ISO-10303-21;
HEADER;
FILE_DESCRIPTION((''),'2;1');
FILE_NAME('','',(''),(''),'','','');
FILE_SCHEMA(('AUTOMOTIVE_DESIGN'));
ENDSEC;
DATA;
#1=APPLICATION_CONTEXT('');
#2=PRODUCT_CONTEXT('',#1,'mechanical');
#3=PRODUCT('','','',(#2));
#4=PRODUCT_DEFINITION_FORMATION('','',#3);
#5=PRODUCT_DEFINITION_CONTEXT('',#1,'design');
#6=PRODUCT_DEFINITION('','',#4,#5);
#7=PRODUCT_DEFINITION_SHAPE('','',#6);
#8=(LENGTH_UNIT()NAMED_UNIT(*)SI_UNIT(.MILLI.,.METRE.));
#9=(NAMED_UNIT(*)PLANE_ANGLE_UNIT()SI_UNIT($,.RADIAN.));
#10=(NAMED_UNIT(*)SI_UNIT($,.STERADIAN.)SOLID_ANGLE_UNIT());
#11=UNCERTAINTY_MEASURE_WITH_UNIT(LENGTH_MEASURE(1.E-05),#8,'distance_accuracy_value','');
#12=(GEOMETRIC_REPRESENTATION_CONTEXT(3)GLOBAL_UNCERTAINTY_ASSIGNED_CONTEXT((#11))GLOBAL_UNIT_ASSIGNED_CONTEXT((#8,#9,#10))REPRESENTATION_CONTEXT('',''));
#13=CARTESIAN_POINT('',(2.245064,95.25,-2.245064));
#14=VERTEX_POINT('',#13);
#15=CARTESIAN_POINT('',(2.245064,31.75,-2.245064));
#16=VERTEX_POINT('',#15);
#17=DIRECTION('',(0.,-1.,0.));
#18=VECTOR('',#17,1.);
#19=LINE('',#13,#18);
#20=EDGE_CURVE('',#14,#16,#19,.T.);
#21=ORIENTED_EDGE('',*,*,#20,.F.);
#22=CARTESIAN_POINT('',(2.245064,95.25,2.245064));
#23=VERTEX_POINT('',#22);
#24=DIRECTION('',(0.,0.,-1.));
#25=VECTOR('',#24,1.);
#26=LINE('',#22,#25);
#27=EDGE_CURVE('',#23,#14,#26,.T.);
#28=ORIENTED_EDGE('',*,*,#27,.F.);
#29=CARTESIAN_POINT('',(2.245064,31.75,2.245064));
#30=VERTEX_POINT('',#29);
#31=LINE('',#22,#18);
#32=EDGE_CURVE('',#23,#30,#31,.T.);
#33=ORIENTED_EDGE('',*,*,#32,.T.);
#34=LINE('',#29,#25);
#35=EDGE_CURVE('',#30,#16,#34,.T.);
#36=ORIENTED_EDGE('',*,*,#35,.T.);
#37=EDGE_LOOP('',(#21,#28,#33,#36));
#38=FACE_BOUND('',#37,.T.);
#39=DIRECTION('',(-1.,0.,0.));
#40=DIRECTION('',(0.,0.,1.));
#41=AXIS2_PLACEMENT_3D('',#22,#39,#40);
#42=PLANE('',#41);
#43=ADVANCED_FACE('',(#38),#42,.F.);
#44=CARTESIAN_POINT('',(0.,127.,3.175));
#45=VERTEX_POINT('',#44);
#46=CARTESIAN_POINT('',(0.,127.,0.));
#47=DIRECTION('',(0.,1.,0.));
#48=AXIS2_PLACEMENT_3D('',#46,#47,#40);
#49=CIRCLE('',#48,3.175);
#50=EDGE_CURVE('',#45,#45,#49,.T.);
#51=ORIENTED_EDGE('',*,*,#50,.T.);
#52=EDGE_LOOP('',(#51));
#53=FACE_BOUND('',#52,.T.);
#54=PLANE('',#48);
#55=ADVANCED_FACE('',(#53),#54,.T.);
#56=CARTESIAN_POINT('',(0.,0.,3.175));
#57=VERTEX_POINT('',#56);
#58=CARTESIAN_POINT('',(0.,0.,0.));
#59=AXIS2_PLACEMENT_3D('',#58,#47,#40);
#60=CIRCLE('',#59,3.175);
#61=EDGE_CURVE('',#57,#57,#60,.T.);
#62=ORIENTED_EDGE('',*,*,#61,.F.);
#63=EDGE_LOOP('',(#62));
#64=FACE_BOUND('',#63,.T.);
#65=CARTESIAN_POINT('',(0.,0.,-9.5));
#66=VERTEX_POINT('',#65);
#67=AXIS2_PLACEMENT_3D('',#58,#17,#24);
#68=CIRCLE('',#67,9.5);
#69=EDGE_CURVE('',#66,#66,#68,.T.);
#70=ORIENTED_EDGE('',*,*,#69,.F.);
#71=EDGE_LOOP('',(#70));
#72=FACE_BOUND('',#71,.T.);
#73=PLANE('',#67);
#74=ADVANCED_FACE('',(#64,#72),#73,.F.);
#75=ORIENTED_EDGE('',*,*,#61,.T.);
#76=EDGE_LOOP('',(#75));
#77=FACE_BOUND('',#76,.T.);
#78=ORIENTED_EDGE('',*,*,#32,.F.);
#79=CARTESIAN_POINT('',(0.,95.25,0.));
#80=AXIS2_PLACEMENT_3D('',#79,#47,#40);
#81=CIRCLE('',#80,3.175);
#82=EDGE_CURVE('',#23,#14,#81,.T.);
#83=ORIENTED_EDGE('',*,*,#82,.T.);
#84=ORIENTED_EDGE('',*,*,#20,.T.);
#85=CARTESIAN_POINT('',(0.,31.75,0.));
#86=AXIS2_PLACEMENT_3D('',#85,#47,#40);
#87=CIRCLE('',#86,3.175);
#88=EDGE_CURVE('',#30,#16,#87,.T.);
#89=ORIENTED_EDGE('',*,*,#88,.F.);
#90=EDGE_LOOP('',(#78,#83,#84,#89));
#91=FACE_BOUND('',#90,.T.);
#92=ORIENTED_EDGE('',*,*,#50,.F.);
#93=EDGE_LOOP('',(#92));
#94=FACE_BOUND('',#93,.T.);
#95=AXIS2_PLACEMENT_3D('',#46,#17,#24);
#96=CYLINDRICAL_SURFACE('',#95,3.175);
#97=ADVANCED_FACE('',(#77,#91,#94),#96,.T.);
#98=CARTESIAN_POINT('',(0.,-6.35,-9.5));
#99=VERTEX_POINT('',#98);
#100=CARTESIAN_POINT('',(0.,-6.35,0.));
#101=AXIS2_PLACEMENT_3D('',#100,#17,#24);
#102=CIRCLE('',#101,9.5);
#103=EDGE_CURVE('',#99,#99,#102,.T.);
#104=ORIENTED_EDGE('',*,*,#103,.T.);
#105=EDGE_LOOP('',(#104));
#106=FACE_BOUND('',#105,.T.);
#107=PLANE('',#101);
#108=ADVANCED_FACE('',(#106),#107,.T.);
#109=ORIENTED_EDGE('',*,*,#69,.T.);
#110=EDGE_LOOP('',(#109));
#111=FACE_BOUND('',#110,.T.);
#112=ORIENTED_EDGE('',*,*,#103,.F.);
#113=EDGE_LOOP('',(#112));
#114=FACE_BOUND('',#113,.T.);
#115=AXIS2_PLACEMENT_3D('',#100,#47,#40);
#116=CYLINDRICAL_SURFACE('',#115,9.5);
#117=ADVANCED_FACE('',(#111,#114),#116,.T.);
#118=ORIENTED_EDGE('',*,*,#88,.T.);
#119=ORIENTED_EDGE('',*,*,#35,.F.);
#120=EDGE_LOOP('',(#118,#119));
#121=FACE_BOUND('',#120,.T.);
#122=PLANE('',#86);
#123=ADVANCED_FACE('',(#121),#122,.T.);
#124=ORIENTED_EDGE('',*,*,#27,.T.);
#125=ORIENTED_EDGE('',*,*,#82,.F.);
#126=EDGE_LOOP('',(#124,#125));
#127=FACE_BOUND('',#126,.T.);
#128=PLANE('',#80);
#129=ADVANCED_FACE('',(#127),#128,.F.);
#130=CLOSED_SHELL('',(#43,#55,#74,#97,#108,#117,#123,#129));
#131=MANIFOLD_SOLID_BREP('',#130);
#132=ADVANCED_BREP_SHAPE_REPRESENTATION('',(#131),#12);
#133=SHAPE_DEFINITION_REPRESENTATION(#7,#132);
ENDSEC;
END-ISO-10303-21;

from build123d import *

# Parameters (mm, degrees)
SKETCH1_R           = 3.175
BOSS_EXTRUDE1_DEPTH = 127
CUT_EXTRUDE1_START  = -31.75
SKETCH2_W           = 1.117822334
SKETCH2_H           = 4.49012806
CUT_EXTRUDE1_DEPTH  = 63.5
SKETCH3_R           = 9.5
BOSS_EXTRUDE2_DEPTH = 6.35


with BuildPart() as part:
    # Sketch1 → Boss-Extrude1 (new body)
    with BuildSketch(Plane(origin=(0, 0, 0), x_dir=(1, 0, 0), z_dir=(0, 1, 0))):
        Circle(SKETCH1_R)
    extrude(amount=BOSS_EXTRUDE1_DEPTH)

    # Sketch2 → Cut-Extrude1 (cut)
    with BuildSketch(Plane.XZ.offset(CUT_EXTRUDE1_START)):
        with Locations((2.803975197, 0)):
            Rectangle(SKETCH2_W, SKETCH2_H)
    extrude(amount=-CUT_EXTRUDE1_DEPTH, mode=Mode.SUBTRACT)

    # Sketch3 → Boss-Extrude2 (add)
    with BuildSketch(Plane.XZ):
        Circle(SKETCH3_R)
    extrude(amount=BOSS_EXTRUDE2_DEPTH)


solid = part.part
